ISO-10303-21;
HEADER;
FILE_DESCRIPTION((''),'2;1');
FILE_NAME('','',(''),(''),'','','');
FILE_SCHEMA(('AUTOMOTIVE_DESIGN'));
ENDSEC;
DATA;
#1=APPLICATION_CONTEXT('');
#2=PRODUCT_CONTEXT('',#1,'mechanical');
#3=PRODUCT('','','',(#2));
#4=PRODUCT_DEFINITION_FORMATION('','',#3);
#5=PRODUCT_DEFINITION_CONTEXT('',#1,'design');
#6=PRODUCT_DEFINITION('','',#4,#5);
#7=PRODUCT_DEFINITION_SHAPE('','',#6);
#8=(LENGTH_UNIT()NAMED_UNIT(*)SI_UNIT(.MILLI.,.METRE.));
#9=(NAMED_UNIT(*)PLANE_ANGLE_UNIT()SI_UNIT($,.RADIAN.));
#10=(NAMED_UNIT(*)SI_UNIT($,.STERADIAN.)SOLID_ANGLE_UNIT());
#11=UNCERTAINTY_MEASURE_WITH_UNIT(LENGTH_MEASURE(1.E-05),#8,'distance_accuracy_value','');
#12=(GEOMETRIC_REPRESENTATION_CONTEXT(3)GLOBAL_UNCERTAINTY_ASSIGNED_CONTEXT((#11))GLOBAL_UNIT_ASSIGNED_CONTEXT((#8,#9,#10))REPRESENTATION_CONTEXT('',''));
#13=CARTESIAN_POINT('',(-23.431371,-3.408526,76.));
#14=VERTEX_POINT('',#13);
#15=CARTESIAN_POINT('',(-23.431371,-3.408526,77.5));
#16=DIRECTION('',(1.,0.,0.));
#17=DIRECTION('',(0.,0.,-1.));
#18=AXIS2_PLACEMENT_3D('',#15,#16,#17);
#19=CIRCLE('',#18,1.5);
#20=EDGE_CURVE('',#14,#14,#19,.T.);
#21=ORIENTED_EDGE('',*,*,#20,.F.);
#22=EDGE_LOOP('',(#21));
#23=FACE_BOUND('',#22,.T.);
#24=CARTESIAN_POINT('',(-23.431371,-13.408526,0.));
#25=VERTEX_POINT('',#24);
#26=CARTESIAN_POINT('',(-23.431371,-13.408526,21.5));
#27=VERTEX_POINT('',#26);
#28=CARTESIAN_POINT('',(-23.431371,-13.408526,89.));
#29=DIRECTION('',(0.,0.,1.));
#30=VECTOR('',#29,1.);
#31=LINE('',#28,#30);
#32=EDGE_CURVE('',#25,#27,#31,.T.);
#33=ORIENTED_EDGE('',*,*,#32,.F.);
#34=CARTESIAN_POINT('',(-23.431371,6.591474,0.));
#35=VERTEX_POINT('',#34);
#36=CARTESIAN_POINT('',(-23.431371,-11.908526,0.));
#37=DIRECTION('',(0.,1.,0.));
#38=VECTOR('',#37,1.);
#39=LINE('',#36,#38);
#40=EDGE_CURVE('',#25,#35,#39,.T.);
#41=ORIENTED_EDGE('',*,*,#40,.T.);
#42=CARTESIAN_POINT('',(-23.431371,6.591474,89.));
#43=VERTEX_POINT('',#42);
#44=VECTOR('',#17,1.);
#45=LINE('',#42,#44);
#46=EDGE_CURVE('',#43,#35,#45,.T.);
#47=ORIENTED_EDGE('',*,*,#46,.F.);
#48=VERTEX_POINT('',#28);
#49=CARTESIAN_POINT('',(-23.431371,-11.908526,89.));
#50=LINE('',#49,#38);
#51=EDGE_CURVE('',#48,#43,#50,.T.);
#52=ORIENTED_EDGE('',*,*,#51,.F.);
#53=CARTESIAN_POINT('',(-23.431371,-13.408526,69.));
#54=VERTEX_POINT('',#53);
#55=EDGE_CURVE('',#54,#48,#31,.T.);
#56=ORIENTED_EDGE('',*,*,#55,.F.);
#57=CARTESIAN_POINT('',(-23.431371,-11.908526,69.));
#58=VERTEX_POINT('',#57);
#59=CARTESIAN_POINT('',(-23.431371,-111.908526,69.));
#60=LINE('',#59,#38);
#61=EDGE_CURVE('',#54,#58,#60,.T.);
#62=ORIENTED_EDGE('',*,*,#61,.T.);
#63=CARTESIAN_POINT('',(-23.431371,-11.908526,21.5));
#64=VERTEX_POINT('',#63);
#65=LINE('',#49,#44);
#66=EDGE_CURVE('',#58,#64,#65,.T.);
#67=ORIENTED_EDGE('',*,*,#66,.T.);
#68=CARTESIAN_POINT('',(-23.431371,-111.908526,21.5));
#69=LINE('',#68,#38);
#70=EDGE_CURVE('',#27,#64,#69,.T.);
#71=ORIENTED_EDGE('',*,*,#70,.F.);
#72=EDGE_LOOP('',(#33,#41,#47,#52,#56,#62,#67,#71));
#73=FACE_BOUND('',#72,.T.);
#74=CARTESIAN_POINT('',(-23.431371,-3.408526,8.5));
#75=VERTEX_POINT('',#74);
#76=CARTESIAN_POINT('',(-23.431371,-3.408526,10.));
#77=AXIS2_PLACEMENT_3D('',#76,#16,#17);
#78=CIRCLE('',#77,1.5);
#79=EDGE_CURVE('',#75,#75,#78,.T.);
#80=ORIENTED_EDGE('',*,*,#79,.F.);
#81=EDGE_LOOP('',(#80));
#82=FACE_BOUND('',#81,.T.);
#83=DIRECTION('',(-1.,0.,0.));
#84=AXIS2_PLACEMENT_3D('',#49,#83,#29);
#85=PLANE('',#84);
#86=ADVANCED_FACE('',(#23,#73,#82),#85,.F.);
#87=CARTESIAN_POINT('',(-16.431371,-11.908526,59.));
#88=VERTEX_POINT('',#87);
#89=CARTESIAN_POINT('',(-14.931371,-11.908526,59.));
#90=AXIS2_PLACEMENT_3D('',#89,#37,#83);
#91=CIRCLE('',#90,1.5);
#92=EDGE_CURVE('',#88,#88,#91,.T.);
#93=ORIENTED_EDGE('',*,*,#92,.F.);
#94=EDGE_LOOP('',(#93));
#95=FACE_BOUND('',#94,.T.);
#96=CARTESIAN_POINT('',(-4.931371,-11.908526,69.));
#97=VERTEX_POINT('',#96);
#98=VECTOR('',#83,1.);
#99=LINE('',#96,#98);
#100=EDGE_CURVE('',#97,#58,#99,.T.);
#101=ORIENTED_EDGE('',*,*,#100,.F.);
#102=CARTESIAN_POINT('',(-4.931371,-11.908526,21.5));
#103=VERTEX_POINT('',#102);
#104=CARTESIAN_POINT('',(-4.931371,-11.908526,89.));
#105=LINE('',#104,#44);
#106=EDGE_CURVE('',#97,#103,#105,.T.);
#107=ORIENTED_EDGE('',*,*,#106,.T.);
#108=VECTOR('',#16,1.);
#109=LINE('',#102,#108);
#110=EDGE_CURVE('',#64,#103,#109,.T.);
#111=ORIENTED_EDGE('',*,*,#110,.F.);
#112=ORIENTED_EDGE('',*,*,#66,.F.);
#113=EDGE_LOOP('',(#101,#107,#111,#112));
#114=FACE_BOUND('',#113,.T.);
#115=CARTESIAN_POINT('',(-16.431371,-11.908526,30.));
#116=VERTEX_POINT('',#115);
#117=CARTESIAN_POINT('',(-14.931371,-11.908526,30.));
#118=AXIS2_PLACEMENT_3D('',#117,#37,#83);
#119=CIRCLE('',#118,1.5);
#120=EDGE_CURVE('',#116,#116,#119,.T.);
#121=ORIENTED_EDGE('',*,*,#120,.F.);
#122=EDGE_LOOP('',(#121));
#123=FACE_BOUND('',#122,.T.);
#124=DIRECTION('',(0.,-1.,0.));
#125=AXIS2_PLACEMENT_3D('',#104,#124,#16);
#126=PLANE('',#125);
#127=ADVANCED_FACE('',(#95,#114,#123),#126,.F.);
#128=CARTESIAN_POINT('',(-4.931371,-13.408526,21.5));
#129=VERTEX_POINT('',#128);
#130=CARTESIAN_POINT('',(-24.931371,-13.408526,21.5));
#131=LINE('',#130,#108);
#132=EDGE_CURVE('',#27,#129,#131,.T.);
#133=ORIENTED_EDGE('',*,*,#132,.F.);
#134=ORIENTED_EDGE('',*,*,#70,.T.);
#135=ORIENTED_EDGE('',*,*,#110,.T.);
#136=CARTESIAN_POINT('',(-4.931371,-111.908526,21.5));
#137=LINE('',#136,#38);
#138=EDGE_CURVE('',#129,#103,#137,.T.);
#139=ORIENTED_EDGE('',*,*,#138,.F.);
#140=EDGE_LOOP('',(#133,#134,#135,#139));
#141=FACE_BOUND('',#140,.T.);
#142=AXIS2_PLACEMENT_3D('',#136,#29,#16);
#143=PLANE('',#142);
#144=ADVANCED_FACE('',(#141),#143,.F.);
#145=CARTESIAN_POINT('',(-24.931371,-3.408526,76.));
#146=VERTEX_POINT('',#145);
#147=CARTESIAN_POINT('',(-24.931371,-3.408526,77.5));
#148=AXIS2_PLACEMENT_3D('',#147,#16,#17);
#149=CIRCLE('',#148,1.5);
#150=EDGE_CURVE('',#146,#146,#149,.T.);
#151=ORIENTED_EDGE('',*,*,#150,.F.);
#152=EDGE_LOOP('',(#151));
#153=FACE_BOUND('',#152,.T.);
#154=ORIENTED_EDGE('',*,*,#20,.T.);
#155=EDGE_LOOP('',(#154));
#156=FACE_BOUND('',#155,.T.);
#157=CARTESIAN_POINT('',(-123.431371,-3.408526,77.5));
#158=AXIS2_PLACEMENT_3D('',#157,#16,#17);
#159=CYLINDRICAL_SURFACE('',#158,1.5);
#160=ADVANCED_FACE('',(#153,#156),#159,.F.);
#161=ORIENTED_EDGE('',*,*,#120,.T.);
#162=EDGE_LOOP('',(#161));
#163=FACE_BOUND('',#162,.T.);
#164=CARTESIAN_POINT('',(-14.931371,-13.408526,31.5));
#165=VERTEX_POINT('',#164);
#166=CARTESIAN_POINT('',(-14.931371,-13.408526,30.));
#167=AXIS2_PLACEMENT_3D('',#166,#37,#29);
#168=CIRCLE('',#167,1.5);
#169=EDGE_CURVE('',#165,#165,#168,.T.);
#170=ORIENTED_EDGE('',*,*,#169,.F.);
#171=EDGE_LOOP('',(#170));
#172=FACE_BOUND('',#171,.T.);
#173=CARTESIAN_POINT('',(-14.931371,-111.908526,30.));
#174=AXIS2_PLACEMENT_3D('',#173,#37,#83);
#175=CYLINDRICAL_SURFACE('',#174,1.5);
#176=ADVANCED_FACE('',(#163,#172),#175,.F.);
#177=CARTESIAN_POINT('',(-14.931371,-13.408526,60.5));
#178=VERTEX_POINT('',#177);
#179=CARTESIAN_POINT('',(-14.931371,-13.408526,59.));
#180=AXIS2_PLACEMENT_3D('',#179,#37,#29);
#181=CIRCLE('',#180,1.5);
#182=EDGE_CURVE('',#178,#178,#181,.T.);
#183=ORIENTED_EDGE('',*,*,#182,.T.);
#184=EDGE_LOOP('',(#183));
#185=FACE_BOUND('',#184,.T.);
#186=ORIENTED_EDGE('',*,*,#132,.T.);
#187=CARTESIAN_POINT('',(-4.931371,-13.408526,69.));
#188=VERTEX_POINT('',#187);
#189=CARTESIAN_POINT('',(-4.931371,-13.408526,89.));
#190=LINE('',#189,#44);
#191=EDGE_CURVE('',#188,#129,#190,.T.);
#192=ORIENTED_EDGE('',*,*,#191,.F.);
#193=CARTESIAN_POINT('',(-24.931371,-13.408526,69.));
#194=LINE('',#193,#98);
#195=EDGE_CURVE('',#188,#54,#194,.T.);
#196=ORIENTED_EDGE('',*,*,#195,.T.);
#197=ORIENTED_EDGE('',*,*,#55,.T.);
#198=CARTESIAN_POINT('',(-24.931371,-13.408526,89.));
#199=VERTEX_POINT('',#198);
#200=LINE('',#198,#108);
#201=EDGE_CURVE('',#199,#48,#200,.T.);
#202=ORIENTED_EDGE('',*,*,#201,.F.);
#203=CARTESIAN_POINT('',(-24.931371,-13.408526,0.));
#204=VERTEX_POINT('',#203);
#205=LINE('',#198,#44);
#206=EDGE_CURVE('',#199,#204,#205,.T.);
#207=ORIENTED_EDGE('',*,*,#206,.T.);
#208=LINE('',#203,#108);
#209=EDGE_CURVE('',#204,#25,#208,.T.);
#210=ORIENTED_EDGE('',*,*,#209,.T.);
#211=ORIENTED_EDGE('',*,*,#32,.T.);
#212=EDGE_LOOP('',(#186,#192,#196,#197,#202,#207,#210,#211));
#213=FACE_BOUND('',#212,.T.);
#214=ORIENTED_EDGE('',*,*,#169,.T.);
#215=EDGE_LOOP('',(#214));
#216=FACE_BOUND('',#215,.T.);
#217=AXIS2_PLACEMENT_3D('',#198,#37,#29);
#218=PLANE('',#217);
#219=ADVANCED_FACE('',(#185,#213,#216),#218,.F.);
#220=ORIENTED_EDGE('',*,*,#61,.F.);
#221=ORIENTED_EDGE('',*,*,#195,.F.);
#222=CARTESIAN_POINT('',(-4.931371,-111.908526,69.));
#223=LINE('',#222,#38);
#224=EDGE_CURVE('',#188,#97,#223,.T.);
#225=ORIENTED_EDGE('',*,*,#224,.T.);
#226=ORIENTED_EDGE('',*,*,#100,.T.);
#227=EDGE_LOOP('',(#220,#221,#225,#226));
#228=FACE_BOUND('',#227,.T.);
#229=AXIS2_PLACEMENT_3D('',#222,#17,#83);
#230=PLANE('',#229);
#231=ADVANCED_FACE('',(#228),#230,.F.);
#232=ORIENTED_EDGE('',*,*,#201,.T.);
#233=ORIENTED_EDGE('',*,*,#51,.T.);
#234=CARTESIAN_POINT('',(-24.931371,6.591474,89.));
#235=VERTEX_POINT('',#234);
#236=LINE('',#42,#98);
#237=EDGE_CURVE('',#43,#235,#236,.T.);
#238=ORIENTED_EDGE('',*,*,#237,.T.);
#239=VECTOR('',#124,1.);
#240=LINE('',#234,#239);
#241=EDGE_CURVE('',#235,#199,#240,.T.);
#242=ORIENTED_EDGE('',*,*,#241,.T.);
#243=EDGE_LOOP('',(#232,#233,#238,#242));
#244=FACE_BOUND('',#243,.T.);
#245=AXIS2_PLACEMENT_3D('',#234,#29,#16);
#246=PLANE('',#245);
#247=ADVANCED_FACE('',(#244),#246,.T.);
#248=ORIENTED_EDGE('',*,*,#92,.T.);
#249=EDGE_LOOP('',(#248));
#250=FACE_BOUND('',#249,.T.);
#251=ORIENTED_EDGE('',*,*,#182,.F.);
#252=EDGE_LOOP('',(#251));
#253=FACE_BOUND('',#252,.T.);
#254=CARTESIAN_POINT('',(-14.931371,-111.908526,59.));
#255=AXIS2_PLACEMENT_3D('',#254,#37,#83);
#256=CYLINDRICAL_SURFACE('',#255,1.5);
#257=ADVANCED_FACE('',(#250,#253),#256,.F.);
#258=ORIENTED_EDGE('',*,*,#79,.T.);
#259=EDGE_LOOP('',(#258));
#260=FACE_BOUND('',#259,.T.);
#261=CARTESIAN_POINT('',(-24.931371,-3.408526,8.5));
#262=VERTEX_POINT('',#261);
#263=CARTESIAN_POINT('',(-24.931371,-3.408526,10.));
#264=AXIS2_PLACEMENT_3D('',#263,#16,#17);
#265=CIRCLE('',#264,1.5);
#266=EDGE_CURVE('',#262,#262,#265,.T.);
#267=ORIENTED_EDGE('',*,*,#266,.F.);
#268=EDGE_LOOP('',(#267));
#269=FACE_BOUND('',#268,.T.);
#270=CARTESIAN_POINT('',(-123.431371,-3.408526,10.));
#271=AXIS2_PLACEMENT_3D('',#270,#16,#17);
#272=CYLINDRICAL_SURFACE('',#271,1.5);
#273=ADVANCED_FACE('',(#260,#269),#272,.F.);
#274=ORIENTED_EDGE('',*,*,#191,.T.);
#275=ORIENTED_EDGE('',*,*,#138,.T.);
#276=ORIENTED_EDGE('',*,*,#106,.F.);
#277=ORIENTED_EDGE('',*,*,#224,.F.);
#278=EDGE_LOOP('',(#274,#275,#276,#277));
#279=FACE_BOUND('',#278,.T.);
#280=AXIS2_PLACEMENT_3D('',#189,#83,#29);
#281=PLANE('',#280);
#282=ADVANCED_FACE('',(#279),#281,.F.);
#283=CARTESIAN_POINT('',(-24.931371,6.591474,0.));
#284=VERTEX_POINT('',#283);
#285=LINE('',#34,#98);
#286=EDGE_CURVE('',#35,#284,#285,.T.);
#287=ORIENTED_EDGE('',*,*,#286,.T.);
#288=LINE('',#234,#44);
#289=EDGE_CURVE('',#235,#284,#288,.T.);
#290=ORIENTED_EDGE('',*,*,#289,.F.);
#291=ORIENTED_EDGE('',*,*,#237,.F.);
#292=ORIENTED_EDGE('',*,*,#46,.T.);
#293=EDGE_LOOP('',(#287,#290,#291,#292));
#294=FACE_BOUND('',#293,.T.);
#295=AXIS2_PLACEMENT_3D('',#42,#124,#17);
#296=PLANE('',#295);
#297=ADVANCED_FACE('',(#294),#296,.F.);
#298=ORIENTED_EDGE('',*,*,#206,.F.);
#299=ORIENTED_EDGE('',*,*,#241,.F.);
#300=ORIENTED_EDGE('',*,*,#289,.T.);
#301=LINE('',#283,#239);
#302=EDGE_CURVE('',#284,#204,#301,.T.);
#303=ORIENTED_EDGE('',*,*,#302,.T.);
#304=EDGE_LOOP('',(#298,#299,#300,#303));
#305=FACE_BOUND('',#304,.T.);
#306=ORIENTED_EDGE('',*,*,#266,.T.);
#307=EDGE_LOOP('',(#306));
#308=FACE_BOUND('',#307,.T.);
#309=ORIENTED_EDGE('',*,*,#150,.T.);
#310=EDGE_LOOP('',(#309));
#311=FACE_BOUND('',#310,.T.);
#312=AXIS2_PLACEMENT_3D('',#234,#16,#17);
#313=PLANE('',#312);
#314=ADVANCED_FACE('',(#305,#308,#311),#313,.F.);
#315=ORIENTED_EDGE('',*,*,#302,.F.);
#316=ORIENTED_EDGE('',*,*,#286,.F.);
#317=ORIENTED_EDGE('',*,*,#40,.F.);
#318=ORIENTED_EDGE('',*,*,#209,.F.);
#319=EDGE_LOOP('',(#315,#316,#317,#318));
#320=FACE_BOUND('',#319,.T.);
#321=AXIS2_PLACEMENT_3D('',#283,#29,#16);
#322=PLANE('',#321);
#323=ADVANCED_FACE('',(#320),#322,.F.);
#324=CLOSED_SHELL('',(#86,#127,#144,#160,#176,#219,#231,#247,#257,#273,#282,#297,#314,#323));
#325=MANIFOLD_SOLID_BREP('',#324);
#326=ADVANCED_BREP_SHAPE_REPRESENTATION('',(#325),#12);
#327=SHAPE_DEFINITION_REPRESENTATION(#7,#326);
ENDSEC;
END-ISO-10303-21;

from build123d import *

# Parameters (mm, degrees)
EXTRUSION1_DEPTH = 89
ESQUISSE2_R      = 1.5
ESQUISSE2_W      = 18.5
ESQUISSE2_H      = 20
ESQUISSE2_H_2    = 21.5
EXTRUSION2_DEPTH = 100
ESQUISSE3_R      = 1.5
EXTRUSION3_DEPTH = 100


with BuildPart() as part:
    # Esquisse1 → Extrusion1 (new body)
    with BuildSketch(Plane.XY):
        Polygon((-24.93137059, 6.591473684), (-24.93137059, -13.408526316), (-4.93137059, -13.408526316), (-4.93137059, -11.908526316), (-23.43137059, -11.908526316), (-23.43137059, 6.591473684), align=None)
    extrude(amount=EXTRUSION1_DEPTH)

    # Esquisse2 → Extrusion2 (cut)
    with BuildSketch(Plane(origin=(0, -11.908526316, 0), x_dir=(-1, 0, 0), z_dir=(0, 1, 0))):
        with Locations((14.93137059, 59)):
            Circle(ESQUISSE2_R)
        with Locations((14.93137059, 30)):
            Circle(ESQUISSE2_R)
        with Locations((14.18137059, 79)):
            Rectangle(ESQUISSE2_W, ESQUISSE2_H)
        with Locations((14.18137059, 10.75)):
            Rectangle(ESQUISSE2_W, ESQUISSE2_H_2)
    extrude(amount=-EXTRUSION2_DEPTH, mode=Mode.SUBTRACT)

    # Esquisse3 → Extrusion3 (cut)
    with BuildSketch(Plane(origin=(-23.43137059, 0, 0), x_dir=(0, 0, -1), z_dir=(1, 0, 0))):
        with Locations((-77.5, -3.408526316)):
            Circle(ESQUISSE3_R)
        with Locations((-10, -3.408526316)):
            Circle(ESQUISSE3_R)
    extrude(amount=-EXTRUSION3_DEPTH, mode=Mode.SUBTRACT)


solid = part.part
